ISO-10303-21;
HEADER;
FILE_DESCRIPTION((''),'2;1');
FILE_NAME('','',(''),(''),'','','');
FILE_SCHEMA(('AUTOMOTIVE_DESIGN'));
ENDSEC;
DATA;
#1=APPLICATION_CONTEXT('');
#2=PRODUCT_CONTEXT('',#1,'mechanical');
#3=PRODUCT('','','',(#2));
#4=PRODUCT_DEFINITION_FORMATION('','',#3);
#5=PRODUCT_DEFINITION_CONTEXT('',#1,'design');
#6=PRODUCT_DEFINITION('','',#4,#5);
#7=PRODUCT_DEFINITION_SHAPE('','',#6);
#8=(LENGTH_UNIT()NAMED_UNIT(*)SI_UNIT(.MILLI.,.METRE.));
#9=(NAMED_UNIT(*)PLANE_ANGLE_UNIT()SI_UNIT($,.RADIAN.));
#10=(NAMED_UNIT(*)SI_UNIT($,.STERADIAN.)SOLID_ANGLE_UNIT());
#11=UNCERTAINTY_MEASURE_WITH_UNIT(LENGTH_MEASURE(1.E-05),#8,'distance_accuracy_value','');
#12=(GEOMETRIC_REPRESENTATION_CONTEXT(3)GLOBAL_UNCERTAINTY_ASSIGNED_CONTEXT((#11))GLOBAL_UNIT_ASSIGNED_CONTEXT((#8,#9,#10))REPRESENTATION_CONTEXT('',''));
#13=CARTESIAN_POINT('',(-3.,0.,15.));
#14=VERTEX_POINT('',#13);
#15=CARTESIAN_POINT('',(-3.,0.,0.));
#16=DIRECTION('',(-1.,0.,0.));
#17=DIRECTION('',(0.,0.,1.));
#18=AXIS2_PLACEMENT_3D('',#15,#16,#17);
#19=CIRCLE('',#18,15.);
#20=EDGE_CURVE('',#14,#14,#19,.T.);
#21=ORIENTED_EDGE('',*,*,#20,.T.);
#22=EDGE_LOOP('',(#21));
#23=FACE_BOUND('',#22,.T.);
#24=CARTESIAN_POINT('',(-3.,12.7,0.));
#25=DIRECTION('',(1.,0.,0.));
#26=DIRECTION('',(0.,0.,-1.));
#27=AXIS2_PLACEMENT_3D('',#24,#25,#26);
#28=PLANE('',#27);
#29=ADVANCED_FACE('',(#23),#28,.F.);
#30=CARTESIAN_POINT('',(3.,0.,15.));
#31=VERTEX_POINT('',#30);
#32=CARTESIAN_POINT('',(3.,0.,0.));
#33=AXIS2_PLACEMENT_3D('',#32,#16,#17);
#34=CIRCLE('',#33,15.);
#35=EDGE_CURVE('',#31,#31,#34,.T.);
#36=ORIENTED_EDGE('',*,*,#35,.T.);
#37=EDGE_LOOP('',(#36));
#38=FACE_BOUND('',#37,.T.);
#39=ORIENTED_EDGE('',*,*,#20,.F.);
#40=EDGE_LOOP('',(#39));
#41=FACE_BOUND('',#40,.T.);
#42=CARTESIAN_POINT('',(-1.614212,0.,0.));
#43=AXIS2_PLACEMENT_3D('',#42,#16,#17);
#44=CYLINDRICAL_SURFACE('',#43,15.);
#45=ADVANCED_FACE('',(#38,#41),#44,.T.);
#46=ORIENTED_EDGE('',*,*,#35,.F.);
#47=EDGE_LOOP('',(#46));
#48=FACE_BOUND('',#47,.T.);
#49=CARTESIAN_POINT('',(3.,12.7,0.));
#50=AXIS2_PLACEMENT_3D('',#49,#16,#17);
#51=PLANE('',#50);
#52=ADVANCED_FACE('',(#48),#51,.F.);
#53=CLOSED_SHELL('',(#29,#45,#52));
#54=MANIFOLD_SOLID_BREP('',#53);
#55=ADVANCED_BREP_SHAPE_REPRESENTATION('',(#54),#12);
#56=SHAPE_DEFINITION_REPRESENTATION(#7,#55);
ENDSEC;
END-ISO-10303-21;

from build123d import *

# Parameters (mm, degrees)
SKETCH_1_W = 6
SKETCH_1_H = 12.7
SKETCH_4_W = 6
SKETCH_4_H = 2.3


with BuildPart() as part:
    # 草图1 → 旋转2 (revolve)
    with BuildSketch(Plane.XY, mode=Mode.PRIVATE) as revolve_2_sk:
        with Locations((0, 6.35)):
            Rectangle(SKETCH_1_W, SKETCH_1_H)
    revolve(revolve_2_sk.sketch.rotate(Axis((-3, 0, 0), (1, 0, 0)), 90), axis=Axis((-3, 0, 0), (1, 0, 0)))  # turned: the seam where the file's is

    # 草图4 → 旋转3 (revolve)
    with BuildSketch(Plane.XY, mode=Mode.PRIVATE) as revolve_3_sk:
        with Locations((0, 13.85)):
            Rectangle(SKETCH_4_W, SKETCH_4_H)
    revolve(revolve_3_sk.sketch.rotate(Axis((-1.614212419, 0, 0), (1, 0, 0)), 90), axis=Axis((-1.614212419, 0, 0), (1, 0, 0)))  # turned: the seam where the file's is


solid = part.part
